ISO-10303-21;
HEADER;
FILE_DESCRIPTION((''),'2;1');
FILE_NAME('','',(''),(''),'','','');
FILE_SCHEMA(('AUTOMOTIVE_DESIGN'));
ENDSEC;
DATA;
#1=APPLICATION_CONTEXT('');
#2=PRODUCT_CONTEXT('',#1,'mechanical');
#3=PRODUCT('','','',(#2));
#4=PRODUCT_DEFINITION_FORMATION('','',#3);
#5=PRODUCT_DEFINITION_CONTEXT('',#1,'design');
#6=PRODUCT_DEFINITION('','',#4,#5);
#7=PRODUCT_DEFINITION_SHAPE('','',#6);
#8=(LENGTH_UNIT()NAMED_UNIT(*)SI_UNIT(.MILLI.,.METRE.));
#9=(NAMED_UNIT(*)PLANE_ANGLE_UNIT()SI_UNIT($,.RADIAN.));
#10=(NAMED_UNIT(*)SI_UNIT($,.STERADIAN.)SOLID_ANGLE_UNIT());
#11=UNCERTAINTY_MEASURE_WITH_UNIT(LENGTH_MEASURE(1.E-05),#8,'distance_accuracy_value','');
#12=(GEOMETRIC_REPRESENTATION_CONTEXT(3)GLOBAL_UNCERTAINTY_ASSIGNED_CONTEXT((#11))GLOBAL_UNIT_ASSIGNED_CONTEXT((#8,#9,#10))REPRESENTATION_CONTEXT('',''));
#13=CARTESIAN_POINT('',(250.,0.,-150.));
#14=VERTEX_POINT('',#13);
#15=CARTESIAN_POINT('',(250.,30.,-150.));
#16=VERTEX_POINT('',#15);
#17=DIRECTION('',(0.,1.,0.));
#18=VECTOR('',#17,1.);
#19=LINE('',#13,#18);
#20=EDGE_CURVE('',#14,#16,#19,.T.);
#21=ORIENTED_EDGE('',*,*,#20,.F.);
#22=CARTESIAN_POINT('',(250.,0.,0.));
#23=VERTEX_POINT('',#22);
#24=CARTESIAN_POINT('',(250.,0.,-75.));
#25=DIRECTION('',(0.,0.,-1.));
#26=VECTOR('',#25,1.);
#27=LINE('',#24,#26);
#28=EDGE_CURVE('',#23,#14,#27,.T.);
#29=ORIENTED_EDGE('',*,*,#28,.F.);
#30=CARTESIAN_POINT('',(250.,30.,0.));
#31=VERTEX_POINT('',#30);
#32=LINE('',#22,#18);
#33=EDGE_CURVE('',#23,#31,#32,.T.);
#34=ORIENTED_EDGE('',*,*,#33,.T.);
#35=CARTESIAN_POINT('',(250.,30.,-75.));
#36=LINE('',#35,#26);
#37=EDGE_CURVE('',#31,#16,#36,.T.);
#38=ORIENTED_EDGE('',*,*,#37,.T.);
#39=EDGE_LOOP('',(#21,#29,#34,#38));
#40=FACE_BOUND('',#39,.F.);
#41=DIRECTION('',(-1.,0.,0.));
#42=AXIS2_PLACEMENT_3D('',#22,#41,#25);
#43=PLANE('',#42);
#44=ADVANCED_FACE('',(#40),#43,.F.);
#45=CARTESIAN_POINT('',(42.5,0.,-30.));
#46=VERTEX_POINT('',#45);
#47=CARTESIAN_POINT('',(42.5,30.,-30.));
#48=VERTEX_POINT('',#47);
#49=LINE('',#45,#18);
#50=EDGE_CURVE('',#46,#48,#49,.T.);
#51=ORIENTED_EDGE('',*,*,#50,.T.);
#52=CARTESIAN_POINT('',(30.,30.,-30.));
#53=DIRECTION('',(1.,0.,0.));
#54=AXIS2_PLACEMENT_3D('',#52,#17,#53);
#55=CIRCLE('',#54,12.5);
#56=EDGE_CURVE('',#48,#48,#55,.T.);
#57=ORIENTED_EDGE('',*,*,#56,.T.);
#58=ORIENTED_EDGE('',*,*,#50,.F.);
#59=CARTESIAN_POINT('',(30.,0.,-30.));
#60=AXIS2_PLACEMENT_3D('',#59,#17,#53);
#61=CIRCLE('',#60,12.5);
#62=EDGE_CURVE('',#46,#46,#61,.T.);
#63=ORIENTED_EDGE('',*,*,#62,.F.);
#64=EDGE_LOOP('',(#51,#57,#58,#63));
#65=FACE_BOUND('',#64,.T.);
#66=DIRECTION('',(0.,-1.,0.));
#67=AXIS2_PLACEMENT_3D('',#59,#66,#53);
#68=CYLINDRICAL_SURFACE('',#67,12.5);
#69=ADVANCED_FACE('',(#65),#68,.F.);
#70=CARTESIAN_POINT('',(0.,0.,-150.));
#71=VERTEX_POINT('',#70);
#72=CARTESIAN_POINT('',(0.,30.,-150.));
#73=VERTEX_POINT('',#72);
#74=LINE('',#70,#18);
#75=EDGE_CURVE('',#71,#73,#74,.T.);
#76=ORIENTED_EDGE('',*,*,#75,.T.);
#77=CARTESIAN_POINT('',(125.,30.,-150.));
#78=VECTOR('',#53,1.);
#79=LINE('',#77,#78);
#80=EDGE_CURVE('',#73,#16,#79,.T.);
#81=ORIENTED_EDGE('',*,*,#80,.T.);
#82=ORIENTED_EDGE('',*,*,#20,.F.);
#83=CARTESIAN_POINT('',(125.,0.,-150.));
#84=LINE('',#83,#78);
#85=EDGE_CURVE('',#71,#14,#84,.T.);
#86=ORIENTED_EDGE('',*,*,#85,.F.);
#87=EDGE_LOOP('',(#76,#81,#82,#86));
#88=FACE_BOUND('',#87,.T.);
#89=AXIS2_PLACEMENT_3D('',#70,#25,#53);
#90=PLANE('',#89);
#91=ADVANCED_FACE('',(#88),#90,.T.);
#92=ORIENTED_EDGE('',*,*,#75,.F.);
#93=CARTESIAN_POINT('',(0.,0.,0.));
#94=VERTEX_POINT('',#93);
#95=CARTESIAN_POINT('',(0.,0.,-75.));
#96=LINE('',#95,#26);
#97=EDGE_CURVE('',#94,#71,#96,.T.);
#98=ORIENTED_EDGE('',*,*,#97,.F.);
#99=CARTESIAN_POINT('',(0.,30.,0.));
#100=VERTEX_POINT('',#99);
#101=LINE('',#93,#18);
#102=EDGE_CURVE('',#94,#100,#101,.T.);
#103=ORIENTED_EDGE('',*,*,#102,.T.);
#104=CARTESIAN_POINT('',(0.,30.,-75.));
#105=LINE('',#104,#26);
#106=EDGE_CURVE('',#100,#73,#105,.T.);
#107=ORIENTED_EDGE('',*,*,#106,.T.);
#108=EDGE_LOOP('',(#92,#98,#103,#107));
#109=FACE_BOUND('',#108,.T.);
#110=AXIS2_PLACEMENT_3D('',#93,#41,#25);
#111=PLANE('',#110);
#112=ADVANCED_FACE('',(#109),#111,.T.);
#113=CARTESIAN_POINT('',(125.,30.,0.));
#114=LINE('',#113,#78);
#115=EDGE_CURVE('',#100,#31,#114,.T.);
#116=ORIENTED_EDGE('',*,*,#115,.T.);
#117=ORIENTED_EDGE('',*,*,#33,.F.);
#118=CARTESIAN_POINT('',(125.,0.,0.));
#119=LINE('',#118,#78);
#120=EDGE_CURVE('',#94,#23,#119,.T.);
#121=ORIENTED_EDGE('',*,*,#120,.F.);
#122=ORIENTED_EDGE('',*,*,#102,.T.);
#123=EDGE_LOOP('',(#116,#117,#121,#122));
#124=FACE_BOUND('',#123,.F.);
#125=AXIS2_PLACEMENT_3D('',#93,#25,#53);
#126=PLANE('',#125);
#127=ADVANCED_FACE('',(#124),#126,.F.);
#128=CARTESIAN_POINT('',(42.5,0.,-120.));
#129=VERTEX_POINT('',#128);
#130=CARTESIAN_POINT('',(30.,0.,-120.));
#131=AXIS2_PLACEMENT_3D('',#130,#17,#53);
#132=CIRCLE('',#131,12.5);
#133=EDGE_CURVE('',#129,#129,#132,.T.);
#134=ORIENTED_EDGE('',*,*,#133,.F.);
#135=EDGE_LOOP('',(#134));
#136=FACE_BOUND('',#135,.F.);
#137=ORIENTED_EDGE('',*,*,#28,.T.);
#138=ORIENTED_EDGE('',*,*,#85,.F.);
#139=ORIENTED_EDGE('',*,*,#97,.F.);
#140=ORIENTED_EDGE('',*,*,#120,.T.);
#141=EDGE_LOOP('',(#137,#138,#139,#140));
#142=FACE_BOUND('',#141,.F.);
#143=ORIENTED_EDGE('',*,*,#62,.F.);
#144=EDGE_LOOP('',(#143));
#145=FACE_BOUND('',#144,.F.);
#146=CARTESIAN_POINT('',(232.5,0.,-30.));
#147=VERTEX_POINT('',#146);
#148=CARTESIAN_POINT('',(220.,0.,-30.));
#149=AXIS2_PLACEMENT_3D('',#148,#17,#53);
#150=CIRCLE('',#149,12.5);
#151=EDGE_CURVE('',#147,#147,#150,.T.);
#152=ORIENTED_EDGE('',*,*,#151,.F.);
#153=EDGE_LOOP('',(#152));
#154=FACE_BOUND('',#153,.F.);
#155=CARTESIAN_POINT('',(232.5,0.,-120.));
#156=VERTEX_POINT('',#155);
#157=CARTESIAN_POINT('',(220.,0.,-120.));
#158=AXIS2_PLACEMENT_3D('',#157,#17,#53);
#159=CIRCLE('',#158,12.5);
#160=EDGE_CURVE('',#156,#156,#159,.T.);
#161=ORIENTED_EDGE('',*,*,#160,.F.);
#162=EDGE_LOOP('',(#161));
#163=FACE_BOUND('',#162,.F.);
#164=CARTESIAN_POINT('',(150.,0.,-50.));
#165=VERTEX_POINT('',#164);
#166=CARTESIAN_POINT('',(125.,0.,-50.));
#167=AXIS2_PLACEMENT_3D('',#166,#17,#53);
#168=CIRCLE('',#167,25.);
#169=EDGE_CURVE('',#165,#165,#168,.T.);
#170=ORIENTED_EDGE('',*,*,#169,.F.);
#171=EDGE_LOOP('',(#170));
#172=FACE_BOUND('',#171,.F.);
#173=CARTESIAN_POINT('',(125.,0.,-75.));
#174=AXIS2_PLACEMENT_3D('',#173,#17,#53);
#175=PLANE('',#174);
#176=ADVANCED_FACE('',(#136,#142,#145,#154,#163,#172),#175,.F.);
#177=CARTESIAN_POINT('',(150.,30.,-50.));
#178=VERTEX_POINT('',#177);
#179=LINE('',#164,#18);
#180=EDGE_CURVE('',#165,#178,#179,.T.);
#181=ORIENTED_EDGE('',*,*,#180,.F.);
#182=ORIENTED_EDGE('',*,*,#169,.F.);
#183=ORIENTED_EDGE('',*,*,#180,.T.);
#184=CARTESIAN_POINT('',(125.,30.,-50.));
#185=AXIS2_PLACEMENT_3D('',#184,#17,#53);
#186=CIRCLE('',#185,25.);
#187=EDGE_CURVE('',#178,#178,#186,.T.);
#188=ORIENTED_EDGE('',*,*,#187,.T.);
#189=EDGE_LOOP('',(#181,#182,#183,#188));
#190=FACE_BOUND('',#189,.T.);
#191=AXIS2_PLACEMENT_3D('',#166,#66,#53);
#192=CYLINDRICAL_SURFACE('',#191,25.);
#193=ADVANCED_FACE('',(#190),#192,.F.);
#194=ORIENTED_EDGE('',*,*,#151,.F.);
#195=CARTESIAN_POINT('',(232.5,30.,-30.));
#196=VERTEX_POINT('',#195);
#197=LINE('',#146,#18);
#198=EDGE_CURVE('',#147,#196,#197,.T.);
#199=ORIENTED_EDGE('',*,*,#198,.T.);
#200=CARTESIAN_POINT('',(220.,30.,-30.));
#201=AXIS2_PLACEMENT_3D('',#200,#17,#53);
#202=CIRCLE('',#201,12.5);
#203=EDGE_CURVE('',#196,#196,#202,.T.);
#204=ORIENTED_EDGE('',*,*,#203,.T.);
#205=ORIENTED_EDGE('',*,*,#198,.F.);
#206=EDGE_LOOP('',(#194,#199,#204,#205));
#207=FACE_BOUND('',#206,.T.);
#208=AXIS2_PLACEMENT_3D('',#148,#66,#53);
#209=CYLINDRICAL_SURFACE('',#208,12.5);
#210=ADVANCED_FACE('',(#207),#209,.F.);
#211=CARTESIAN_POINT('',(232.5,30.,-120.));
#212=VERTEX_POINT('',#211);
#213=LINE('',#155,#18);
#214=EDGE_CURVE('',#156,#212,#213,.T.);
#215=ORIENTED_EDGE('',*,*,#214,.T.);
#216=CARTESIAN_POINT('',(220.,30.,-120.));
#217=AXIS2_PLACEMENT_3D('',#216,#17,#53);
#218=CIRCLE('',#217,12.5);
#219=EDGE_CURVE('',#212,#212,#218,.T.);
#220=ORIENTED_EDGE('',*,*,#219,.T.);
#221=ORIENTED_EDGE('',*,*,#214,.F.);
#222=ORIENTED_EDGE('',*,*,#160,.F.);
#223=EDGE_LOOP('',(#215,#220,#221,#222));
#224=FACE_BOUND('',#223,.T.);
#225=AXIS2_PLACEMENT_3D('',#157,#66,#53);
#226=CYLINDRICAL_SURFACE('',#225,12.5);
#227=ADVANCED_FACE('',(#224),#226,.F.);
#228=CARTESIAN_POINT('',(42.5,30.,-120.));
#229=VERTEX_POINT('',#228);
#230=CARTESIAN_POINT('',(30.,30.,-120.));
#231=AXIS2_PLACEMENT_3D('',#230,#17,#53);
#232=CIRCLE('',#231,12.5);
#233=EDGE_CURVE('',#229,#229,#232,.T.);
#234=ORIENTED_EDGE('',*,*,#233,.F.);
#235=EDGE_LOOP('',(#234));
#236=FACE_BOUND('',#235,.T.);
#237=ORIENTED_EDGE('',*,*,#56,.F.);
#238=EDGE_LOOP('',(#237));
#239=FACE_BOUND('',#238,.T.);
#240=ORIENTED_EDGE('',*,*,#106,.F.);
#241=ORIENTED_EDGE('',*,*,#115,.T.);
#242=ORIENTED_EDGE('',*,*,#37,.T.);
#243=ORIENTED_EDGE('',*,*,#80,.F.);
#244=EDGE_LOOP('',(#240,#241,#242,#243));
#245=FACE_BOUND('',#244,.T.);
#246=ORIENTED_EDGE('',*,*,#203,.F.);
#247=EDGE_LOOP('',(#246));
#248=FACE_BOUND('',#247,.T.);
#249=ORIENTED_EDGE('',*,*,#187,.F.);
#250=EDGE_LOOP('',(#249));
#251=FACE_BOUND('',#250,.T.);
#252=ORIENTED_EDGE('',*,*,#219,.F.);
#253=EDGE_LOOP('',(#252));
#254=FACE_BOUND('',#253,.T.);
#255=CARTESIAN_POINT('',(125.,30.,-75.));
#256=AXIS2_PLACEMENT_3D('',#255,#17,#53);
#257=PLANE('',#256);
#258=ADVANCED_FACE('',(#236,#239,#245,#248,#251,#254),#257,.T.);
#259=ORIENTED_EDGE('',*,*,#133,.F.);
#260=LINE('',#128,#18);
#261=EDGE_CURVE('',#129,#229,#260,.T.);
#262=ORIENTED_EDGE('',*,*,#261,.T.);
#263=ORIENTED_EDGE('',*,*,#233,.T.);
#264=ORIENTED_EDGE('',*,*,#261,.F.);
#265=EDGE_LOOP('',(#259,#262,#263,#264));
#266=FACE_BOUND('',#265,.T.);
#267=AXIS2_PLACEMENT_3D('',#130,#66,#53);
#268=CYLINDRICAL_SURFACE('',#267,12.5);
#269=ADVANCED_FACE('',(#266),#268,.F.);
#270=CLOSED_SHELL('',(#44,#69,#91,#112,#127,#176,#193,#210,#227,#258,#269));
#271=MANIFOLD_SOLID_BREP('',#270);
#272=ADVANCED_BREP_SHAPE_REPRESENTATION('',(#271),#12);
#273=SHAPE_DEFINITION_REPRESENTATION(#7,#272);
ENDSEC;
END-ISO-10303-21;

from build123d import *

# Parameters (mm, degrees)
SKETCH1_W           = 250
SKETCH1_H           = 150
SKETCH1_R           = 12.5
SKETCH1_R_2         = 25
BOSS_EXTRUDE1_DEPTH = 30


with BuildPart() as part:
    # Sketch1 → Boss-Extrude1 (new body)
    with BuildSketch(Plane(origin=(0, 0, 0), x_dir=(1, 0, 0), z_dir=(0, 1, 0))):
        with Locations((125, 75)):
            Rectangle(SKETCH1_W, SKETCH1_H)
        with Locations((30, 30)):
            Circle(SKETCH1_R, mode=Mode.SUBTRACT)
        with Locations((30, 120)):
            Circle(SKETCH1_R, mode=Mode.SUBTRACT)
        with Locations((220, 120)):
            Circle(SKETCH1_R, mode=Mode.SUBTRACT)
        with Locations((220, 30)):
            Circle(SKETCH1_R, mode=Mode.SUBTRACT)
        with Locations((125, 50)):
            Circle(SKETCH1_R_2, mode=Mode.SUBTRACT)
    extrude(amount=BOSS_EXTRUDE1_DEPTH)


solid = part.part
